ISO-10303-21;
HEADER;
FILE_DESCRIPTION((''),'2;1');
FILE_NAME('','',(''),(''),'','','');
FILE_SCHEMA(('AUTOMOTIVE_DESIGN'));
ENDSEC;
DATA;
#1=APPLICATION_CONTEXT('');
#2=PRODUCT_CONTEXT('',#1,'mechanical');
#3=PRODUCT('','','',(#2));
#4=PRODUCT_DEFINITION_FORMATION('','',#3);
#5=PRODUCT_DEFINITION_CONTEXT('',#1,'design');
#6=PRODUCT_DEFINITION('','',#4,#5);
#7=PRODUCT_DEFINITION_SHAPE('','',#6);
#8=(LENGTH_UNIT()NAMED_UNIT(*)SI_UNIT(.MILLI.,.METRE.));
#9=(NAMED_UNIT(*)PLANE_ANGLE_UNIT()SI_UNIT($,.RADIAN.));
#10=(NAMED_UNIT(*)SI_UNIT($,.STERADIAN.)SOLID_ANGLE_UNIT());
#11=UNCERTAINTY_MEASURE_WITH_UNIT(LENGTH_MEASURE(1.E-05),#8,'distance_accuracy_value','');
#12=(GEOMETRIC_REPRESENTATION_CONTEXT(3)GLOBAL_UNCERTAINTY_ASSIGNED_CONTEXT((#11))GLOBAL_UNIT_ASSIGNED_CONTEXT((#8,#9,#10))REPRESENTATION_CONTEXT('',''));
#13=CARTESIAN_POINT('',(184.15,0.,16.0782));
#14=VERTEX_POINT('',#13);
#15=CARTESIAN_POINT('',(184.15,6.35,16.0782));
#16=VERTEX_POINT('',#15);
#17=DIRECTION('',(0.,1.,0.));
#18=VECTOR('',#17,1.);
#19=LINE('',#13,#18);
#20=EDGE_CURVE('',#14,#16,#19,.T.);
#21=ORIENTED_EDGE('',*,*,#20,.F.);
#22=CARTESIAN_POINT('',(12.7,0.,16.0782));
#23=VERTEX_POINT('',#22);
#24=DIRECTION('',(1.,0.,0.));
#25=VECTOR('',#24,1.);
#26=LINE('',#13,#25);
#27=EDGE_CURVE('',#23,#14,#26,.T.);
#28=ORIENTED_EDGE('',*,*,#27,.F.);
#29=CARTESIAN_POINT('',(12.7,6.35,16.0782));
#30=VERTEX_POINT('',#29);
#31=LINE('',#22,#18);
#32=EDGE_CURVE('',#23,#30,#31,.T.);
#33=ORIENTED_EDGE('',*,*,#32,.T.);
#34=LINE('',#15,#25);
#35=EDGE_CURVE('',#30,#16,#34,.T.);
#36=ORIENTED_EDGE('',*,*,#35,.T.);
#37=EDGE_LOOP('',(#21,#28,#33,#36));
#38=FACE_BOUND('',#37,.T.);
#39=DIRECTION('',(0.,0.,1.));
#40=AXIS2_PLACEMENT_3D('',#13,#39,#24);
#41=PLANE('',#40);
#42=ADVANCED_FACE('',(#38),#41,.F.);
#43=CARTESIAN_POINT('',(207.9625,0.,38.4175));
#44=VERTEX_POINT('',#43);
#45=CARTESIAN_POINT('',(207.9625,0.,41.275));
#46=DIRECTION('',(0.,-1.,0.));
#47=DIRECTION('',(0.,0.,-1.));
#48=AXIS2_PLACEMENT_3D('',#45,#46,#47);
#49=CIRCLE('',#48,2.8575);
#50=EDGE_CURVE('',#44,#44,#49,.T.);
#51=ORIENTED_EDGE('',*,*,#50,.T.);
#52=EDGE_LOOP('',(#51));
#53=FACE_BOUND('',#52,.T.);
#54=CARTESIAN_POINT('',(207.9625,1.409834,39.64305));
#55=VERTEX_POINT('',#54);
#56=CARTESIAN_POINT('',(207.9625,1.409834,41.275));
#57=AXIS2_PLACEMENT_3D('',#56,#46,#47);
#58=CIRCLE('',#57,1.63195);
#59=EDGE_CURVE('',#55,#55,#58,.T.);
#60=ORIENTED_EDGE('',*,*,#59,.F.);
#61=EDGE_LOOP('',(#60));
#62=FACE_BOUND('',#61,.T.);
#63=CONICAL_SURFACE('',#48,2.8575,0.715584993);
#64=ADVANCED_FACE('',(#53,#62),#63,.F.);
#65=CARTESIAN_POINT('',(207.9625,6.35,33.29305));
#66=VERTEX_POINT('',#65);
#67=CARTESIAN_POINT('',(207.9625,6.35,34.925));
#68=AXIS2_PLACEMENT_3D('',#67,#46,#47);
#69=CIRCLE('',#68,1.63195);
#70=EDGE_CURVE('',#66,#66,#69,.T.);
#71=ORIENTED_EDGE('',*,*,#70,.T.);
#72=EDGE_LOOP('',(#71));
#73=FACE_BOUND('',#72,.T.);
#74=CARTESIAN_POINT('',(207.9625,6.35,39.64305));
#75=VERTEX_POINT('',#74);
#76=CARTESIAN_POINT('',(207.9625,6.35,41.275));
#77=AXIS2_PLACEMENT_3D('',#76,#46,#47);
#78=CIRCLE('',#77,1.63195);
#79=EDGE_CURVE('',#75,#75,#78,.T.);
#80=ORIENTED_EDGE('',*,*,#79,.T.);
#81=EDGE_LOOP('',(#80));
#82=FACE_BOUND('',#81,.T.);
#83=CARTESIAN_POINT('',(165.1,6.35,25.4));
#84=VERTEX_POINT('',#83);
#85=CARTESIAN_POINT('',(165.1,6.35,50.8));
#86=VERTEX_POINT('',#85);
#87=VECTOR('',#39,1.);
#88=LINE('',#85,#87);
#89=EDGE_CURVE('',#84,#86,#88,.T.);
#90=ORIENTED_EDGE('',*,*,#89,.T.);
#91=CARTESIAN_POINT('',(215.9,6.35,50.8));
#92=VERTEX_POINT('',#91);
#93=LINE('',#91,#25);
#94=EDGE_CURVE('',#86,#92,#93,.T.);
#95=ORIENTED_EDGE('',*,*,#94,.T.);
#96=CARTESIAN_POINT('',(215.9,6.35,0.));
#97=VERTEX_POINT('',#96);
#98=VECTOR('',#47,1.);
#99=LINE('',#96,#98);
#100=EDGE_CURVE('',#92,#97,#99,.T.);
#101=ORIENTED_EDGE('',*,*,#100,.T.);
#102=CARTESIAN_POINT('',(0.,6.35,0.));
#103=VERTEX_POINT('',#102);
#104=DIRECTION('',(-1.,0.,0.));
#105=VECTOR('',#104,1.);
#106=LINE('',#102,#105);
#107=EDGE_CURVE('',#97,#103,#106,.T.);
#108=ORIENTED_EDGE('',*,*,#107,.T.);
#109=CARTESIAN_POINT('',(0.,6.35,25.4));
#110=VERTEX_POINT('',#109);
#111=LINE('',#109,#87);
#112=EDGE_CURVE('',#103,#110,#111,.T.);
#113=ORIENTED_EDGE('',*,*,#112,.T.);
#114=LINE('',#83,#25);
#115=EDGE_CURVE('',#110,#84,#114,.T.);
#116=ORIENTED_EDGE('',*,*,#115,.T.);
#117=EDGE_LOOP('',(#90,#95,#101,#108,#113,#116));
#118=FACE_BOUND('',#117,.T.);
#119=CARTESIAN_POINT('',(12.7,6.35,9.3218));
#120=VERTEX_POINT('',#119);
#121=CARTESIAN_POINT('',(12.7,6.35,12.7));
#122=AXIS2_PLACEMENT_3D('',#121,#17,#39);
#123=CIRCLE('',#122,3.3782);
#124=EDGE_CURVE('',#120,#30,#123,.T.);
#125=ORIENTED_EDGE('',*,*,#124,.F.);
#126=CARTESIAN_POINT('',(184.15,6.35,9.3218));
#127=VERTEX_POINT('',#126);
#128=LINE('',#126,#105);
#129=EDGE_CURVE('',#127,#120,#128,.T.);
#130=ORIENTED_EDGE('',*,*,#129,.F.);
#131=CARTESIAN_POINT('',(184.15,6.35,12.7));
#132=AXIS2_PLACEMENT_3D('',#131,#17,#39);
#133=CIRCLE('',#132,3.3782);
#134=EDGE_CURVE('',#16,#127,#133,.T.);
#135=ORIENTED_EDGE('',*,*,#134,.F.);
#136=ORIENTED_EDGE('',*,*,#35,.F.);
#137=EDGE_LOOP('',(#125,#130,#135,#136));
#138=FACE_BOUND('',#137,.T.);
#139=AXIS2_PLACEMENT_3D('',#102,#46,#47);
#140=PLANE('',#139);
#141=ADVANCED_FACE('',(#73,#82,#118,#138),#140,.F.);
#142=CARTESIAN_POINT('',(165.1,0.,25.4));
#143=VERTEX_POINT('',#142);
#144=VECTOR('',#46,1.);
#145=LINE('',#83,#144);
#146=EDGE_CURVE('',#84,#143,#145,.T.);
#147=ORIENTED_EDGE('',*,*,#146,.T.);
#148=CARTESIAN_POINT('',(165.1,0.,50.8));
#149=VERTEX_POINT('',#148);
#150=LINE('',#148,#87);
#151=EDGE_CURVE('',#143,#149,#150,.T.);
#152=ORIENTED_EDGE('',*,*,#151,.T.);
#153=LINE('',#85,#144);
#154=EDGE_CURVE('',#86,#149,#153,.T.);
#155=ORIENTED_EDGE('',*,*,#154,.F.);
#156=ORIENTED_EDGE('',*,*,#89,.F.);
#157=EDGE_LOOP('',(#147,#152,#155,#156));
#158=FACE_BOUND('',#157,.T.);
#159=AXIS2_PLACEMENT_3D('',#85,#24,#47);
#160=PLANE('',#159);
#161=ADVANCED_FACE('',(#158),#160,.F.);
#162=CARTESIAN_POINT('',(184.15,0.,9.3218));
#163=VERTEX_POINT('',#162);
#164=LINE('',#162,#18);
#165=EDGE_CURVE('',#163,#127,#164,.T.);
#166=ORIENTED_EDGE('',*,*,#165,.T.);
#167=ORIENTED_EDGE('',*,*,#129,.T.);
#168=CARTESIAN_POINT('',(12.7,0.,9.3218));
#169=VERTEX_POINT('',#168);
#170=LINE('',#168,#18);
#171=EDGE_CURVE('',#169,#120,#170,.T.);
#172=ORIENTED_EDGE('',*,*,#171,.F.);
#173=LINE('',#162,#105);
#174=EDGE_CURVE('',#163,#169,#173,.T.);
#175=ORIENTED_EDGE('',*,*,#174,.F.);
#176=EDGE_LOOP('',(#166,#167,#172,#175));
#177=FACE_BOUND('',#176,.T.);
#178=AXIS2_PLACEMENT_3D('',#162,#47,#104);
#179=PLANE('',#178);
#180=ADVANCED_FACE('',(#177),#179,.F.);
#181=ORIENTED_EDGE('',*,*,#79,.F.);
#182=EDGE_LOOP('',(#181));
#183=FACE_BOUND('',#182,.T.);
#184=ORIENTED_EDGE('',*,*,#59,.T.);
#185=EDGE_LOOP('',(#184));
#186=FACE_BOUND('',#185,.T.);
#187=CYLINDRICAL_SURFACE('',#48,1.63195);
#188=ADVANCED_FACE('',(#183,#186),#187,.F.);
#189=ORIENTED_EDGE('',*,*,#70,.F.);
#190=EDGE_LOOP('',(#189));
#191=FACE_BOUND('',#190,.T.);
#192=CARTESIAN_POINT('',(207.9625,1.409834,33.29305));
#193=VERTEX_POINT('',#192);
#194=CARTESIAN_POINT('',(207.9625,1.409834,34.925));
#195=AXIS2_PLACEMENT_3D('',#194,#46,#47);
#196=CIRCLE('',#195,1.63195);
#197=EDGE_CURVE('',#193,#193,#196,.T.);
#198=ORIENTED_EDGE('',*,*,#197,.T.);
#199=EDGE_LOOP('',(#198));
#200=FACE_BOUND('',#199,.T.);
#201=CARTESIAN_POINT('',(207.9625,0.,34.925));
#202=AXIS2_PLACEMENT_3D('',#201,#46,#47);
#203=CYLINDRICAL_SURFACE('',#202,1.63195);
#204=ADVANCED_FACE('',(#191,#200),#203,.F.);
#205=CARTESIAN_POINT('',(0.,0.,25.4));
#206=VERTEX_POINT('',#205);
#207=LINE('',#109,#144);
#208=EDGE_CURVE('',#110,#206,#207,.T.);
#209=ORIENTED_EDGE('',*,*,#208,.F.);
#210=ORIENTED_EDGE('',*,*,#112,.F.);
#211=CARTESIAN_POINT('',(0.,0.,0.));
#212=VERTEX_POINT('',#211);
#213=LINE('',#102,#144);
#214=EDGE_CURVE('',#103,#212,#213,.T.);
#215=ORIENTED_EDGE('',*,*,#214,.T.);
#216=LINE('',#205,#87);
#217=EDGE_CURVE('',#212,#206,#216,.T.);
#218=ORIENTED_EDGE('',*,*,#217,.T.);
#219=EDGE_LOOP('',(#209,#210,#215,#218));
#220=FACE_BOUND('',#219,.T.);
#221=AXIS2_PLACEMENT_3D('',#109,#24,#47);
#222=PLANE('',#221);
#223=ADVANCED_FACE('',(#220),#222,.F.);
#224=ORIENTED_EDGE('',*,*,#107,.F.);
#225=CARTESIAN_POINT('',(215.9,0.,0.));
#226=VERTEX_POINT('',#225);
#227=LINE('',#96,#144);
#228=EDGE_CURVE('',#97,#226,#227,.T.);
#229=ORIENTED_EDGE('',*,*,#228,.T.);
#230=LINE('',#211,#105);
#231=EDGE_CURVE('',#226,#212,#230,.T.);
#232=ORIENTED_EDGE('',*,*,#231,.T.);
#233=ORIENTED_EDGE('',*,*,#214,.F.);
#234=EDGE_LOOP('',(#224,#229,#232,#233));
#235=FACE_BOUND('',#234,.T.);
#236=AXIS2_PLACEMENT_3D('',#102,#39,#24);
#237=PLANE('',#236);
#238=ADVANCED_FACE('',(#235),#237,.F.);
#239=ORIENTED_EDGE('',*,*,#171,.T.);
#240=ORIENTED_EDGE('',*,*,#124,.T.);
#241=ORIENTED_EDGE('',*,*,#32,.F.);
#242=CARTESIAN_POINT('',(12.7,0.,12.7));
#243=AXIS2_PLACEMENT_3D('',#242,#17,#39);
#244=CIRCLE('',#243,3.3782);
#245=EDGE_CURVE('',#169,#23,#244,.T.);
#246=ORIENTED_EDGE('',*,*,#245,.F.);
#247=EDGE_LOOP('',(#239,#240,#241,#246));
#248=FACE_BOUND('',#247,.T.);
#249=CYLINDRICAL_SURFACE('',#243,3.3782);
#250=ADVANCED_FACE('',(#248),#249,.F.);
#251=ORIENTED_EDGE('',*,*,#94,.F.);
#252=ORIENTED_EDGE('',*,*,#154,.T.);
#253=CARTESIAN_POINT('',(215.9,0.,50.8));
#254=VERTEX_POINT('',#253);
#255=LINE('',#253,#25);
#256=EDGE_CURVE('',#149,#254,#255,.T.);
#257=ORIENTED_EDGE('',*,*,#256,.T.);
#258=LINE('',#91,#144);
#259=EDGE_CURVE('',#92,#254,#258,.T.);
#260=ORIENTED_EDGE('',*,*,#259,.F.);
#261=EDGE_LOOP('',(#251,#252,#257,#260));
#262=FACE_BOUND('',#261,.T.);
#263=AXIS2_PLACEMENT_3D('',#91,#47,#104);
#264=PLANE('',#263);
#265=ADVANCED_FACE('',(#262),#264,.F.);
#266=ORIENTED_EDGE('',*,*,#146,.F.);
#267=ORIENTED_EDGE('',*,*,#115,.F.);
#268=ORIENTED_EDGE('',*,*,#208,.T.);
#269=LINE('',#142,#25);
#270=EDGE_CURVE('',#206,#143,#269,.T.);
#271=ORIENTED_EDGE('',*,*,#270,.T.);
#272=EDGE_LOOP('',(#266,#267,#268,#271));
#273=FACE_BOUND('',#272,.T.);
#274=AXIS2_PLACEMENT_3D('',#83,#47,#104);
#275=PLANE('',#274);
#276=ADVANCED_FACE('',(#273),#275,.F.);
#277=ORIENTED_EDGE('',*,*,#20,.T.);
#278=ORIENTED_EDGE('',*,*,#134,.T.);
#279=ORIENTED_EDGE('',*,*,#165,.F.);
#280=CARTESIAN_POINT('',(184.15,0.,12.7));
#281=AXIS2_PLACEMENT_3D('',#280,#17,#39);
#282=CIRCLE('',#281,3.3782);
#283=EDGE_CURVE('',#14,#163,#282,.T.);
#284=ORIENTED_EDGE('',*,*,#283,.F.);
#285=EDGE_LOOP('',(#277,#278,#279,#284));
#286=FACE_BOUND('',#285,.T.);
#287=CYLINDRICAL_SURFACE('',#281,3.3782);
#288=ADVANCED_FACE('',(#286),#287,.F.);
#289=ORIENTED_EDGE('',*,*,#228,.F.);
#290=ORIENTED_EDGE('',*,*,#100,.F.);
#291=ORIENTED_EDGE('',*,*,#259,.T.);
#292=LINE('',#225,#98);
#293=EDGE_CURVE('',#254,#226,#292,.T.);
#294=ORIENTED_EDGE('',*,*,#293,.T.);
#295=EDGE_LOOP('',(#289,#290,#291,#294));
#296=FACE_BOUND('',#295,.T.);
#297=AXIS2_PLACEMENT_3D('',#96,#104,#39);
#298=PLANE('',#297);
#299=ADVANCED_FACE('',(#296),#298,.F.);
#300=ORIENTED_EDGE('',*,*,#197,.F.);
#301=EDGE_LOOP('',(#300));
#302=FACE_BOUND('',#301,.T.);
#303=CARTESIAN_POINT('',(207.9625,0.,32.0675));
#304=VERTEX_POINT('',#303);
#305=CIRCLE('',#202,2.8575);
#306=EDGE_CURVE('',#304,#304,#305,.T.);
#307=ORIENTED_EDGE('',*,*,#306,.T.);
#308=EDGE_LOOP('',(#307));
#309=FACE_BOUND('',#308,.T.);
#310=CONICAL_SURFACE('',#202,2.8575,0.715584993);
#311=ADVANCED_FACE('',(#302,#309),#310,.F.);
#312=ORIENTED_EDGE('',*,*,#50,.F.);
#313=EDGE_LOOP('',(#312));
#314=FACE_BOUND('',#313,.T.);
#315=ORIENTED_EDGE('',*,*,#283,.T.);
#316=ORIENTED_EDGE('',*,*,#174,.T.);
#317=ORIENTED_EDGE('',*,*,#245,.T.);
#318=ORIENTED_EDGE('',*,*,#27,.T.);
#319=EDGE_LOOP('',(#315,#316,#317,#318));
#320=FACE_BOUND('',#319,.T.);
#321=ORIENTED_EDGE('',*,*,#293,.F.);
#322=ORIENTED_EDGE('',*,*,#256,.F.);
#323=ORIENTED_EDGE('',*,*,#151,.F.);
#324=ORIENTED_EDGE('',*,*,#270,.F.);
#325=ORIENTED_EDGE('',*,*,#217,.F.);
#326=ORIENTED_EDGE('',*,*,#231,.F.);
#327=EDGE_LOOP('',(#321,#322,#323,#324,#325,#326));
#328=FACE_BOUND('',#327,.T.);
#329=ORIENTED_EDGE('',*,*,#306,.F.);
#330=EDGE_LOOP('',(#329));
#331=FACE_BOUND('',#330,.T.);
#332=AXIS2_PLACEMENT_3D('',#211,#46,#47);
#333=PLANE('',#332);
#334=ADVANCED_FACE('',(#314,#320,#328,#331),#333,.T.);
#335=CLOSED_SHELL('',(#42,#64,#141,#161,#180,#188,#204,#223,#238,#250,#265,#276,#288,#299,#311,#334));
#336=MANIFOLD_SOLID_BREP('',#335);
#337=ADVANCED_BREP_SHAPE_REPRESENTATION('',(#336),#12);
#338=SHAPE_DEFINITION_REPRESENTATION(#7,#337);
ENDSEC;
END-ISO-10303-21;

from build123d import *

# Parameters (mm, degrees)
BOSS_EXTRUDE1_DEPTH                            = 6.35
CUT_EXTRUDE1_DEPTH                             = 222.886846163
CSK_FOR_4_FLAT_HEAD_MACHINE_SCREW1_D           = 3.2639
CSK_FOR_4_FLAT_HEAD_MACHINE_SCREW1_CSINK_D     = 5.715
CSK_FOR_4_FLAT_HEAD_MACHINE_SCREW1_CSINK_ANGLE = 82


with BuildPart() as part:
    # Sketch1 → Boss-Extrude1 (new body)
    with BuildSketch(Plane(origin=(0, 0, 0), x_dir=(1, 0, 0), z_dir=(0, 1, 0))):
        Polygon((0, 0), (215.9, 0), (215.9, -50.8), (165.1, -50.8), (165.1, -25.4), (0, -25.4), align=None)
    extrude(amount=BOSS_EXTRUDE1_DEPTH)

    # Sketch2 → Cut-Extrude1 (cut, through all)
    with BuildSketch(Plane(origin=(0, 6.35, 0), x_dir=(1, 0, 0), z_dir=(0, 1, 0))):
        with BuildLine():
            Line((184.15, -16.0782), (12.7, -16.0782))
            ThreePointArc((12.7, -16.0782), (9.3218, -12.7), (12.7, -9.3218))
            Line((12.7, -9.3218), (184.15, -9.3218))
            ThreePointArc((184.15, -9.3218), (187.5282, -12.7), (184.15, -16.0782))
        make_face()
    extrude(amount=-CUT_EXTRUDE1_DEPTH, mode=Mode.SUBTRACT)

    # CSK for #4 Flat Head Machine Screw1 (through all)
    with Locations(Plane(origin=(0, 0, 0), x_dir=(-1, 0, 0), z_dir=(0, -1, 0))):
        with Locations((-207.9625, -34.925), (-207.9625, -41.275)):
            CounterSinkHole(CSK_FOR_4_FLAT_HEAD_MACHINE_SCREW1_D / 2, CSK_FOR_4_FLAT_HEAD_MACHINE_SCREW1_CSINK_D / 2, counter_sink_angle=CSK_FOR_4_FLAT_HEAD_MACHINE_SCREW1_CSINK_ANGLE)


solid = part.part
